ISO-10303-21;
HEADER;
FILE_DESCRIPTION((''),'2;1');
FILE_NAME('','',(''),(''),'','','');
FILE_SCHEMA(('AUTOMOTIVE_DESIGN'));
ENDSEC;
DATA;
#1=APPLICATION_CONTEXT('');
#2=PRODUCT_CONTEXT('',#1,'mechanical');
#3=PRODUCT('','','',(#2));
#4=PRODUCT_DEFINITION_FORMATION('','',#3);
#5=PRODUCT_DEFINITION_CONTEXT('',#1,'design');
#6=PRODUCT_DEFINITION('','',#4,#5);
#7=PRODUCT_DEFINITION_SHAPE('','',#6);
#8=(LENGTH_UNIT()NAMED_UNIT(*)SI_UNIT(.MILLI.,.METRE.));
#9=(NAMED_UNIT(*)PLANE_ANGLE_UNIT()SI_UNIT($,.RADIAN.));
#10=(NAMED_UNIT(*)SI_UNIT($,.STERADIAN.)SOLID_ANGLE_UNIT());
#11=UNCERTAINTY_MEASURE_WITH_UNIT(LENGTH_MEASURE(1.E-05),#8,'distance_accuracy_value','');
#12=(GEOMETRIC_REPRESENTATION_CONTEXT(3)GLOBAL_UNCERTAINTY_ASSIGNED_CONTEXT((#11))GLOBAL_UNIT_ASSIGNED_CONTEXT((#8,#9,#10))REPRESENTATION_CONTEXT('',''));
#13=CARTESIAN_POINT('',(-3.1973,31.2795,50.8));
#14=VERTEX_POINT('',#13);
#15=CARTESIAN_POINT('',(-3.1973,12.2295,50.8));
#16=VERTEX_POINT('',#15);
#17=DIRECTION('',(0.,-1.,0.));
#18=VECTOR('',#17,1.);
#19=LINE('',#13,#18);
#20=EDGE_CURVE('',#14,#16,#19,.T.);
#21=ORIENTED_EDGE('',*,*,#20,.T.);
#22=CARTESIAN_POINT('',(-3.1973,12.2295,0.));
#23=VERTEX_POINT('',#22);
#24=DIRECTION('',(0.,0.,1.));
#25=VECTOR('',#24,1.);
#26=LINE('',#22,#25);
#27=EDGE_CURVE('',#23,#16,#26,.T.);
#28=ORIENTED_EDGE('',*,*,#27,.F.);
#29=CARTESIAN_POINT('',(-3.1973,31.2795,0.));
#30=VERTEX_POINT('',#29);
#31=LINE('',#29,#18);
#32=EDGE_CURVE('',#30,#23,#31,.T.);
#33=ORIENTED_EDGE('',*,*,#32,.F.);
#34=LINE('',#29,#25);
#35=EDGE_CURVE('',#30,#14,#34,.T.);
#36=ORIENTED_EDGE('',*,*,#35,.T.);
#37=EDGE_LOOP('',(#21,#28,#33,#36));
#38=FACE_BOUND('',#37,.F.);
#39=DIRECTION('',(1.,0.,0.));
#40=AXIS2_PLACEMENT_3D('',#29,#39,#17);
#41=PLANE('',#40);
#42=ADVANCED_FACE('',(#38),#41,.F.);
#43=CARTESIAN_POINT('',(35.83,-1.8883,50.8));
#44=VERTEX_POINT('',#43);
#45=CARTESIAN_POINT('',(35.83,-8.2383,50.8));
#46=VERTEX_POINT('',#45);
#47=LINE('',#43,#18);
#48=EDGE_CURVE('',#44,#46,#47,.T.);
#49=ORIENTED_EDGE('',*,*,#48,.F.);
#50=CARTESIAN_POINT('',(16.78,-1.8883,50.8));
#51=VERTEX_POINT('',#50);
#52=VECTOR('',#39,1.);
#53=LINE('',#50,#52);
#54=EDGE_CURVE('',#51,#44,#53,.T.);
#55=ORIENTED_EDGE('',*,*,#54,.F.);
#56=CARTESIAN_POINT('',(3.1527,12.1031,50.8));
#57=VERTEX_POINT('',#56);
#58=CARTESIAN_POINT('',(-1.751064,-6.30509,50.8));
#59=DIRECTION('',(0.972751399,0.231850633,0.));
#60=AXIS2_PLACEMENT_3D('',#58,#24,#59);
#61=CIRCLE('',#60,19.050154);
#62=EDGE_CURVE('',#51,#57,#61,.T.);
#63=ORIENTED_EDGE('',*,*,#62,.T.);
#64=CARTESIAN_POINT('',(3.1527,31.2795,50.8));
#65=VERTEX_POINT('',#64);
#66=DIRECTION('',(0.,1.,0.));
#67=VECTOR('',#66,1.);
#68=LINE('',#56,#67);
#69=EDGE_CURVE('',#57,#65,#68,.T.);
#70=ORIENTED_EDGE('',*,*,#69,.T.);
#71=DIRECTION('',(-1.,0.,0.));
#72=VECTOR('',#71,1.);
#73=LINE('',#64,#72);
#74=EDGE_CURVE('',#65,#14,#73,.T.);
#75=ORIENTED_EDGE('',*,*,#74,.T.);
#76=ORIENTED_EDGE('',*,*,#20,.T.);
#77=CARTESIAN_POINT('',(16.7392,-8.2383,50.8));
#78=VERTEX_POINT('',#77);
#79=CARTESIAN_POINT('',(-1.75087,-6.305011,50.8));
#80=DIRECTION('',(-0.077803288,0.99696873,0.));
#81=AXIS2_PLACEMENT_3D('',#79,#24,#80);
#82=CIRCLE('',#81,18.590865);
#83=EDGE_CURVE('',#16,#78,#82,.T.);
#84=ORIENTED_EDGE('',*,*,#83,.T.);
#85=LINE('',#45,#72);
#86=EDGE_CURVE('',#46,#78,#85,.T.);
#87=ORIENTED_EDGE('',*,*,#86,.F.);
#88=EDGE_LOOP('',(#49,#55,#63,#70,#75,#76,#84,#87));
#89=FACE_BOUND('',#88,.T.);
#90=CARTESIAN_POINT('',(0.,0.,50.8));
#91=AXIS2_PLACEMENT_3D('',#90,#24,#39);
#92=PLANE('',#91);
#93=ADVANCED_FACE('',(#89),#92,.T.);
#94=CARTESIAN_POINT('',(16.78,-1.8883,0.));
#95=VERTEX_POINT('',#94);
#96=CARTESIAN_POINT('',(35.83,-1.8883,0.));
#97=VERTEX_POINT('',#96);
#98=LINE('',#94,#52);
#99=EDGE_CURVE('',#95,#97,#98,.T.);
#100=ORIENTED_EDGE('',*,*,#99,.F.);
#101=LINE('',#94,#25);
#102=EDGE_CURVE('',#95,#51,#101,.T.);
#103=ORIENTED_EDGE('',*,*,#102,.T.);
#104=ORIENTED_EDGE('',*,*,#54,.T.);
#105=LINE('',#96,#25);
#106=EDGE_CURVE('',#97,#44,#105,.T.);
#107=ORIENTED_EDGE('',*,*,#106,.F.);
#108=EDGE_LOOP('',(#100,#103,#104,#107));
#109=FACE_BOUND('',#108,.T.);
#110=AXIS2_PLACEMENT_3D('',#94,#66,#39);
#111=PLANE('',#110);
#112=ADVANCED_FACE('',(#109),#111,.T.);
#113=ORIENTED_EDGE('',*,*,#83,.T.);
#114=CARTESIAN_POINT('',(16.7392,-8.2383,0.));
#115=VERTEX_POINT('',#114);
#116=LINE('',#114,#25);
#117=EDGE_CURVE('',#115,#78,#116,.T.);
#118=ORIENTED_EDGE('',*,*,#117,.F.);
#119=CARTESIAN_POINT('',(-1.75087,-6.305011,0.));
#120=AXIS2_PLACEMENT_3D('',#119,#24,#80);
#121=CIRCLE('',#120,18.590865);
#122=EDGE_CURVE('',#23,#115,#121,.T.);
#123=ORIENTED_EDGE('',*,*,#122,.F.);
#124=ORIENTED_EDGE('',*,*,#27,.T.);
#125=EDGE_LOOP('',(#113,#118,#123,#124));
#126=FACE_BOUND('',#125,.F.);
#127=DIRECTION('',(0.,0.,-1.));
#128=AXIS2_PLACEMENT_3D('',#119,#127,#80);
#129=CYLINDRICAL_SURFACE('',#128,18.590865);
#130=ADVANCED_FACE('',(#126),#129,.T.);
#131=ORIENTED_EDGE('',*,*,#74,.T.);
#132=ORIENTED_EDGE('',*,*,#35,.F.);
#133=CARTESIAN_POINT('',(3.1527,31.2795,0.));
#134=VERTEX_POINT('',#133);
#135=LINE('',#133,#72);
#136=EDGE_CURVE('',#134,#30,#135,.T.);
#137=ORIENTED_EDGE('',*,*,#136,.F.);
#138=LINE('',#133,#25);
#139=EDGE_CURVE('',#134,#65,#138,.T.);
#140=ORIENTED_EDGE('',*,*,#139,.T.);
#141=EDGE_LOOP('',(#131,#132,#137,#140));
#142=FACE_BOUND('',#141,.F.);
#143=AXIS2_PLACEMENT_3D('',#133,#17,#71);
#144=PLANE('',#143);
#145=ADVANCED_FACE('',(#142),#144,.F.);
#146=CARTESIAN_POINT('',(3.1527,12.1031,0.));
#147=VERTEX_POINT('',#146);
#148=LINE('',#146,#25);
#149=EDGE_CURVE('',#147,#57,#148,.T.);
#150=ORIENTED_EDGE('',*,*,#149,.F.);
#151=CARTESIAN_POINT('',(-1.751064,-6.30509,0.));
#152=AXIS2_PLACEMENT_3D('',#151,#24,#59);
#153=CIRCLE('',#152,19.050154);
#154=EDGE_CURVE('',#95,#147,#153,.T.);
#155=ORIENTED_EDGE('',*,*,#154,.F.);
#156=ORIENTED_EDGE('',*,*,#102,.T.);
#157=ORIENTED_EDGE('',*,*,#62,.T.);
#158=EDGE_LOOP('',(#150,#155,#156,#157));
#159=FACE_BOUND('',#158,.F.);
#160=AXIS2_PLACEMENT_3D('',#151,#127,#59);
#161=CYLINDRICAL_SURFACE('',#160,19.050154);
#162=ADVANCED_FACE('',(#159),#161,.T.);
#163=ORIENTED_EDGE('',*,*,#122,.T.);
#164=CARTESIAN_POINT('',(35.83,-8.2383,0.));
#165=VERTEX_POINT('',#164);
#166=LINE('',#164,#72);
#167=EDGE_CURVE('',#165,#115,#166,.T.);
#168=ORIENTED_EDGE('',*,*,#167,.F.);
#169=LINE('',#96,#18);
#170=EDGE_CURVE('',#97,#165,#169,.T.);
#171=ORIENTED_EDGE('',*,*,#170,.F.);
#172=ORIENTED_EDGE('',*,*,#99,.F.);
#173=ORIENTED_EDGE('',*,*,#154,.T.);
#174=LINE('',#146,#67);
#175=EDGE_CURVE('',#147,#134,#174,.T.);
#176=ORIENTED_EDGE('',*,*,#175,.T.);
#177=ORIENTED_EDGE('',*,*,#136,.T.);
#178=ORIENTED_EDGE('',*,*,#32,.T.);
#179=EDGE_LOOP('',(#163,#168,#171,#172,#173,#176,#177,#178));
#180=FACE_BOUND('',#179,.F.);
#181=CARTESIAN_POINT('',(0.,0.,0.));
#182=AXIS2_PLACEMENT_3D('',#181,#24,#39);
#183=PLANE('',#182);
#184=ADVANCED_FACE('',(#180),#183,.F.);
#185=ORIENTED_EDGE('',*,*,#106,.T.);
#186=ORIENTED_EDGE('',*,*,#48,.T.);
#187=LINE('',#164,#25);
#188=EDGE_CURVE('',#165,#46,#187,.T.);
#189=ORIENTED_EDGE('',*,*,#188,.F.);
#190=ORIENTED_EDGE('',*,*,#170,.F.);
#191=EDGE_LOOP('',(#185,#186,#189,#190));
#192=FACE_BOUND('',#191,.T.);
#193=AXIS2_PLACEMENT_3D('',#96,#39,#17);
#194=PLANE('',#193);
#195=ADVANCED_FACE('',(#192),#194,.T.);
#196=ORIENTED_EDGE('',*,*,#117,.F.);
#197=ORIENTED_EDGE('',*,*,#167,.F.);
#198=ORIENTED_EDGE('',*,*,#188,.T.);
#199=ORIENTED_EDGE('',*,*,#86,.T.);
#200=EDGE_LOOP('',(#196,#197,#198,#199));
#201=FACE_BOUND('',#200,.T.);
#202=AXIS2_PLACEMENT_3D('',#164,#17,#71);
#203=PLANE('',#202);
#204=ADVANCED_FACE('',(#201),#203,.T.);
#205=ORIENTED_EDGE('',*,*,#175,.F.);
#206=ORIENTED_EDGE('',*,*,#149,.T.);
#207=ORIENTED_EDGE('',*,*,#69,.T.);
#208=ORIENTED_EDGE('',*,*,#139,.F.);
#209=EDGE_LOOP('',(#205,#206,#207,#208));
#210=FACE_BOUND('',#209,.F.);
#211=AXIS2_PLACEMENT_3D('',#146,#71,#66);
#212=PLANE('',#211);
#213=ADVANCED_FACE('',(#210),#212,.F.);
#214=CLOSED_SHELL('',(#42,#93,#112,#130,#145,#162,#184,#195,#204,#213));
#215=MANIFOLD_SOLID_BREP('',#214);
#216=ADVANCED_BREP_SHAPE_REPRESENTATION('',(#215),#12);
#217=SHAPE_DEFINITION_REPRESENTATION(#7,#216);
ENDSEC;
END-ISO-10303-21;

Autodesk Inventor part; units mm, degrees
ref_plane "YZ Plane" through (0, 0, 0) normal (1, 0, 0) x (0, 1, 0)
ref_plane "XZ Plane" through (0, 0, 0) normal (0, 1, 0) x (-1, 0, 0)
ref_plane "XY Plane" through (0, 0, 0) normal (0, 0, 1) x (1, 0, 0)
sketch "Sketch1" plane through (0, 0, 0) normal (0, 0, 1) x (1, 0, 0)
  line L0 (3.1527, 12.1031) -> (3.1527, 31.2795)
  line L1 (3.1527, 31.2795) -> (-3.1973, 31.2795)
  line L2 (-3.1973, 31.2795) -> (-3.1973, 12.2295)
  line L3 (16.78, -1.8883) -> (35.83, -1.8883)
  line L4 (35.83, -1.8883) -> (35.83, -8.2383)
  line L5 (35.83, -8.2383) -> (16.7392, -8.2383)
  arc A0 (16.78, -1.8883) -> (3.1527, 12.1031) centre (-1.7509, -6.305) ccw
  arc A1 (-3.1973, 12.2295) -> (16.7392, -8.2383) centre (-1.7509, -6.305) ccw
  point P0 (0, 0)
  dimension "d0" = 19.05
  dimension "d2" = 19.05
  dimension "d3" = 19.05
  dimension "d4" = 6.35
  dimension "d5" = 6.35
extrude "Extrusion1" add sketch "Sketch1" along normal blind 50.8
properties part number "work planes"
